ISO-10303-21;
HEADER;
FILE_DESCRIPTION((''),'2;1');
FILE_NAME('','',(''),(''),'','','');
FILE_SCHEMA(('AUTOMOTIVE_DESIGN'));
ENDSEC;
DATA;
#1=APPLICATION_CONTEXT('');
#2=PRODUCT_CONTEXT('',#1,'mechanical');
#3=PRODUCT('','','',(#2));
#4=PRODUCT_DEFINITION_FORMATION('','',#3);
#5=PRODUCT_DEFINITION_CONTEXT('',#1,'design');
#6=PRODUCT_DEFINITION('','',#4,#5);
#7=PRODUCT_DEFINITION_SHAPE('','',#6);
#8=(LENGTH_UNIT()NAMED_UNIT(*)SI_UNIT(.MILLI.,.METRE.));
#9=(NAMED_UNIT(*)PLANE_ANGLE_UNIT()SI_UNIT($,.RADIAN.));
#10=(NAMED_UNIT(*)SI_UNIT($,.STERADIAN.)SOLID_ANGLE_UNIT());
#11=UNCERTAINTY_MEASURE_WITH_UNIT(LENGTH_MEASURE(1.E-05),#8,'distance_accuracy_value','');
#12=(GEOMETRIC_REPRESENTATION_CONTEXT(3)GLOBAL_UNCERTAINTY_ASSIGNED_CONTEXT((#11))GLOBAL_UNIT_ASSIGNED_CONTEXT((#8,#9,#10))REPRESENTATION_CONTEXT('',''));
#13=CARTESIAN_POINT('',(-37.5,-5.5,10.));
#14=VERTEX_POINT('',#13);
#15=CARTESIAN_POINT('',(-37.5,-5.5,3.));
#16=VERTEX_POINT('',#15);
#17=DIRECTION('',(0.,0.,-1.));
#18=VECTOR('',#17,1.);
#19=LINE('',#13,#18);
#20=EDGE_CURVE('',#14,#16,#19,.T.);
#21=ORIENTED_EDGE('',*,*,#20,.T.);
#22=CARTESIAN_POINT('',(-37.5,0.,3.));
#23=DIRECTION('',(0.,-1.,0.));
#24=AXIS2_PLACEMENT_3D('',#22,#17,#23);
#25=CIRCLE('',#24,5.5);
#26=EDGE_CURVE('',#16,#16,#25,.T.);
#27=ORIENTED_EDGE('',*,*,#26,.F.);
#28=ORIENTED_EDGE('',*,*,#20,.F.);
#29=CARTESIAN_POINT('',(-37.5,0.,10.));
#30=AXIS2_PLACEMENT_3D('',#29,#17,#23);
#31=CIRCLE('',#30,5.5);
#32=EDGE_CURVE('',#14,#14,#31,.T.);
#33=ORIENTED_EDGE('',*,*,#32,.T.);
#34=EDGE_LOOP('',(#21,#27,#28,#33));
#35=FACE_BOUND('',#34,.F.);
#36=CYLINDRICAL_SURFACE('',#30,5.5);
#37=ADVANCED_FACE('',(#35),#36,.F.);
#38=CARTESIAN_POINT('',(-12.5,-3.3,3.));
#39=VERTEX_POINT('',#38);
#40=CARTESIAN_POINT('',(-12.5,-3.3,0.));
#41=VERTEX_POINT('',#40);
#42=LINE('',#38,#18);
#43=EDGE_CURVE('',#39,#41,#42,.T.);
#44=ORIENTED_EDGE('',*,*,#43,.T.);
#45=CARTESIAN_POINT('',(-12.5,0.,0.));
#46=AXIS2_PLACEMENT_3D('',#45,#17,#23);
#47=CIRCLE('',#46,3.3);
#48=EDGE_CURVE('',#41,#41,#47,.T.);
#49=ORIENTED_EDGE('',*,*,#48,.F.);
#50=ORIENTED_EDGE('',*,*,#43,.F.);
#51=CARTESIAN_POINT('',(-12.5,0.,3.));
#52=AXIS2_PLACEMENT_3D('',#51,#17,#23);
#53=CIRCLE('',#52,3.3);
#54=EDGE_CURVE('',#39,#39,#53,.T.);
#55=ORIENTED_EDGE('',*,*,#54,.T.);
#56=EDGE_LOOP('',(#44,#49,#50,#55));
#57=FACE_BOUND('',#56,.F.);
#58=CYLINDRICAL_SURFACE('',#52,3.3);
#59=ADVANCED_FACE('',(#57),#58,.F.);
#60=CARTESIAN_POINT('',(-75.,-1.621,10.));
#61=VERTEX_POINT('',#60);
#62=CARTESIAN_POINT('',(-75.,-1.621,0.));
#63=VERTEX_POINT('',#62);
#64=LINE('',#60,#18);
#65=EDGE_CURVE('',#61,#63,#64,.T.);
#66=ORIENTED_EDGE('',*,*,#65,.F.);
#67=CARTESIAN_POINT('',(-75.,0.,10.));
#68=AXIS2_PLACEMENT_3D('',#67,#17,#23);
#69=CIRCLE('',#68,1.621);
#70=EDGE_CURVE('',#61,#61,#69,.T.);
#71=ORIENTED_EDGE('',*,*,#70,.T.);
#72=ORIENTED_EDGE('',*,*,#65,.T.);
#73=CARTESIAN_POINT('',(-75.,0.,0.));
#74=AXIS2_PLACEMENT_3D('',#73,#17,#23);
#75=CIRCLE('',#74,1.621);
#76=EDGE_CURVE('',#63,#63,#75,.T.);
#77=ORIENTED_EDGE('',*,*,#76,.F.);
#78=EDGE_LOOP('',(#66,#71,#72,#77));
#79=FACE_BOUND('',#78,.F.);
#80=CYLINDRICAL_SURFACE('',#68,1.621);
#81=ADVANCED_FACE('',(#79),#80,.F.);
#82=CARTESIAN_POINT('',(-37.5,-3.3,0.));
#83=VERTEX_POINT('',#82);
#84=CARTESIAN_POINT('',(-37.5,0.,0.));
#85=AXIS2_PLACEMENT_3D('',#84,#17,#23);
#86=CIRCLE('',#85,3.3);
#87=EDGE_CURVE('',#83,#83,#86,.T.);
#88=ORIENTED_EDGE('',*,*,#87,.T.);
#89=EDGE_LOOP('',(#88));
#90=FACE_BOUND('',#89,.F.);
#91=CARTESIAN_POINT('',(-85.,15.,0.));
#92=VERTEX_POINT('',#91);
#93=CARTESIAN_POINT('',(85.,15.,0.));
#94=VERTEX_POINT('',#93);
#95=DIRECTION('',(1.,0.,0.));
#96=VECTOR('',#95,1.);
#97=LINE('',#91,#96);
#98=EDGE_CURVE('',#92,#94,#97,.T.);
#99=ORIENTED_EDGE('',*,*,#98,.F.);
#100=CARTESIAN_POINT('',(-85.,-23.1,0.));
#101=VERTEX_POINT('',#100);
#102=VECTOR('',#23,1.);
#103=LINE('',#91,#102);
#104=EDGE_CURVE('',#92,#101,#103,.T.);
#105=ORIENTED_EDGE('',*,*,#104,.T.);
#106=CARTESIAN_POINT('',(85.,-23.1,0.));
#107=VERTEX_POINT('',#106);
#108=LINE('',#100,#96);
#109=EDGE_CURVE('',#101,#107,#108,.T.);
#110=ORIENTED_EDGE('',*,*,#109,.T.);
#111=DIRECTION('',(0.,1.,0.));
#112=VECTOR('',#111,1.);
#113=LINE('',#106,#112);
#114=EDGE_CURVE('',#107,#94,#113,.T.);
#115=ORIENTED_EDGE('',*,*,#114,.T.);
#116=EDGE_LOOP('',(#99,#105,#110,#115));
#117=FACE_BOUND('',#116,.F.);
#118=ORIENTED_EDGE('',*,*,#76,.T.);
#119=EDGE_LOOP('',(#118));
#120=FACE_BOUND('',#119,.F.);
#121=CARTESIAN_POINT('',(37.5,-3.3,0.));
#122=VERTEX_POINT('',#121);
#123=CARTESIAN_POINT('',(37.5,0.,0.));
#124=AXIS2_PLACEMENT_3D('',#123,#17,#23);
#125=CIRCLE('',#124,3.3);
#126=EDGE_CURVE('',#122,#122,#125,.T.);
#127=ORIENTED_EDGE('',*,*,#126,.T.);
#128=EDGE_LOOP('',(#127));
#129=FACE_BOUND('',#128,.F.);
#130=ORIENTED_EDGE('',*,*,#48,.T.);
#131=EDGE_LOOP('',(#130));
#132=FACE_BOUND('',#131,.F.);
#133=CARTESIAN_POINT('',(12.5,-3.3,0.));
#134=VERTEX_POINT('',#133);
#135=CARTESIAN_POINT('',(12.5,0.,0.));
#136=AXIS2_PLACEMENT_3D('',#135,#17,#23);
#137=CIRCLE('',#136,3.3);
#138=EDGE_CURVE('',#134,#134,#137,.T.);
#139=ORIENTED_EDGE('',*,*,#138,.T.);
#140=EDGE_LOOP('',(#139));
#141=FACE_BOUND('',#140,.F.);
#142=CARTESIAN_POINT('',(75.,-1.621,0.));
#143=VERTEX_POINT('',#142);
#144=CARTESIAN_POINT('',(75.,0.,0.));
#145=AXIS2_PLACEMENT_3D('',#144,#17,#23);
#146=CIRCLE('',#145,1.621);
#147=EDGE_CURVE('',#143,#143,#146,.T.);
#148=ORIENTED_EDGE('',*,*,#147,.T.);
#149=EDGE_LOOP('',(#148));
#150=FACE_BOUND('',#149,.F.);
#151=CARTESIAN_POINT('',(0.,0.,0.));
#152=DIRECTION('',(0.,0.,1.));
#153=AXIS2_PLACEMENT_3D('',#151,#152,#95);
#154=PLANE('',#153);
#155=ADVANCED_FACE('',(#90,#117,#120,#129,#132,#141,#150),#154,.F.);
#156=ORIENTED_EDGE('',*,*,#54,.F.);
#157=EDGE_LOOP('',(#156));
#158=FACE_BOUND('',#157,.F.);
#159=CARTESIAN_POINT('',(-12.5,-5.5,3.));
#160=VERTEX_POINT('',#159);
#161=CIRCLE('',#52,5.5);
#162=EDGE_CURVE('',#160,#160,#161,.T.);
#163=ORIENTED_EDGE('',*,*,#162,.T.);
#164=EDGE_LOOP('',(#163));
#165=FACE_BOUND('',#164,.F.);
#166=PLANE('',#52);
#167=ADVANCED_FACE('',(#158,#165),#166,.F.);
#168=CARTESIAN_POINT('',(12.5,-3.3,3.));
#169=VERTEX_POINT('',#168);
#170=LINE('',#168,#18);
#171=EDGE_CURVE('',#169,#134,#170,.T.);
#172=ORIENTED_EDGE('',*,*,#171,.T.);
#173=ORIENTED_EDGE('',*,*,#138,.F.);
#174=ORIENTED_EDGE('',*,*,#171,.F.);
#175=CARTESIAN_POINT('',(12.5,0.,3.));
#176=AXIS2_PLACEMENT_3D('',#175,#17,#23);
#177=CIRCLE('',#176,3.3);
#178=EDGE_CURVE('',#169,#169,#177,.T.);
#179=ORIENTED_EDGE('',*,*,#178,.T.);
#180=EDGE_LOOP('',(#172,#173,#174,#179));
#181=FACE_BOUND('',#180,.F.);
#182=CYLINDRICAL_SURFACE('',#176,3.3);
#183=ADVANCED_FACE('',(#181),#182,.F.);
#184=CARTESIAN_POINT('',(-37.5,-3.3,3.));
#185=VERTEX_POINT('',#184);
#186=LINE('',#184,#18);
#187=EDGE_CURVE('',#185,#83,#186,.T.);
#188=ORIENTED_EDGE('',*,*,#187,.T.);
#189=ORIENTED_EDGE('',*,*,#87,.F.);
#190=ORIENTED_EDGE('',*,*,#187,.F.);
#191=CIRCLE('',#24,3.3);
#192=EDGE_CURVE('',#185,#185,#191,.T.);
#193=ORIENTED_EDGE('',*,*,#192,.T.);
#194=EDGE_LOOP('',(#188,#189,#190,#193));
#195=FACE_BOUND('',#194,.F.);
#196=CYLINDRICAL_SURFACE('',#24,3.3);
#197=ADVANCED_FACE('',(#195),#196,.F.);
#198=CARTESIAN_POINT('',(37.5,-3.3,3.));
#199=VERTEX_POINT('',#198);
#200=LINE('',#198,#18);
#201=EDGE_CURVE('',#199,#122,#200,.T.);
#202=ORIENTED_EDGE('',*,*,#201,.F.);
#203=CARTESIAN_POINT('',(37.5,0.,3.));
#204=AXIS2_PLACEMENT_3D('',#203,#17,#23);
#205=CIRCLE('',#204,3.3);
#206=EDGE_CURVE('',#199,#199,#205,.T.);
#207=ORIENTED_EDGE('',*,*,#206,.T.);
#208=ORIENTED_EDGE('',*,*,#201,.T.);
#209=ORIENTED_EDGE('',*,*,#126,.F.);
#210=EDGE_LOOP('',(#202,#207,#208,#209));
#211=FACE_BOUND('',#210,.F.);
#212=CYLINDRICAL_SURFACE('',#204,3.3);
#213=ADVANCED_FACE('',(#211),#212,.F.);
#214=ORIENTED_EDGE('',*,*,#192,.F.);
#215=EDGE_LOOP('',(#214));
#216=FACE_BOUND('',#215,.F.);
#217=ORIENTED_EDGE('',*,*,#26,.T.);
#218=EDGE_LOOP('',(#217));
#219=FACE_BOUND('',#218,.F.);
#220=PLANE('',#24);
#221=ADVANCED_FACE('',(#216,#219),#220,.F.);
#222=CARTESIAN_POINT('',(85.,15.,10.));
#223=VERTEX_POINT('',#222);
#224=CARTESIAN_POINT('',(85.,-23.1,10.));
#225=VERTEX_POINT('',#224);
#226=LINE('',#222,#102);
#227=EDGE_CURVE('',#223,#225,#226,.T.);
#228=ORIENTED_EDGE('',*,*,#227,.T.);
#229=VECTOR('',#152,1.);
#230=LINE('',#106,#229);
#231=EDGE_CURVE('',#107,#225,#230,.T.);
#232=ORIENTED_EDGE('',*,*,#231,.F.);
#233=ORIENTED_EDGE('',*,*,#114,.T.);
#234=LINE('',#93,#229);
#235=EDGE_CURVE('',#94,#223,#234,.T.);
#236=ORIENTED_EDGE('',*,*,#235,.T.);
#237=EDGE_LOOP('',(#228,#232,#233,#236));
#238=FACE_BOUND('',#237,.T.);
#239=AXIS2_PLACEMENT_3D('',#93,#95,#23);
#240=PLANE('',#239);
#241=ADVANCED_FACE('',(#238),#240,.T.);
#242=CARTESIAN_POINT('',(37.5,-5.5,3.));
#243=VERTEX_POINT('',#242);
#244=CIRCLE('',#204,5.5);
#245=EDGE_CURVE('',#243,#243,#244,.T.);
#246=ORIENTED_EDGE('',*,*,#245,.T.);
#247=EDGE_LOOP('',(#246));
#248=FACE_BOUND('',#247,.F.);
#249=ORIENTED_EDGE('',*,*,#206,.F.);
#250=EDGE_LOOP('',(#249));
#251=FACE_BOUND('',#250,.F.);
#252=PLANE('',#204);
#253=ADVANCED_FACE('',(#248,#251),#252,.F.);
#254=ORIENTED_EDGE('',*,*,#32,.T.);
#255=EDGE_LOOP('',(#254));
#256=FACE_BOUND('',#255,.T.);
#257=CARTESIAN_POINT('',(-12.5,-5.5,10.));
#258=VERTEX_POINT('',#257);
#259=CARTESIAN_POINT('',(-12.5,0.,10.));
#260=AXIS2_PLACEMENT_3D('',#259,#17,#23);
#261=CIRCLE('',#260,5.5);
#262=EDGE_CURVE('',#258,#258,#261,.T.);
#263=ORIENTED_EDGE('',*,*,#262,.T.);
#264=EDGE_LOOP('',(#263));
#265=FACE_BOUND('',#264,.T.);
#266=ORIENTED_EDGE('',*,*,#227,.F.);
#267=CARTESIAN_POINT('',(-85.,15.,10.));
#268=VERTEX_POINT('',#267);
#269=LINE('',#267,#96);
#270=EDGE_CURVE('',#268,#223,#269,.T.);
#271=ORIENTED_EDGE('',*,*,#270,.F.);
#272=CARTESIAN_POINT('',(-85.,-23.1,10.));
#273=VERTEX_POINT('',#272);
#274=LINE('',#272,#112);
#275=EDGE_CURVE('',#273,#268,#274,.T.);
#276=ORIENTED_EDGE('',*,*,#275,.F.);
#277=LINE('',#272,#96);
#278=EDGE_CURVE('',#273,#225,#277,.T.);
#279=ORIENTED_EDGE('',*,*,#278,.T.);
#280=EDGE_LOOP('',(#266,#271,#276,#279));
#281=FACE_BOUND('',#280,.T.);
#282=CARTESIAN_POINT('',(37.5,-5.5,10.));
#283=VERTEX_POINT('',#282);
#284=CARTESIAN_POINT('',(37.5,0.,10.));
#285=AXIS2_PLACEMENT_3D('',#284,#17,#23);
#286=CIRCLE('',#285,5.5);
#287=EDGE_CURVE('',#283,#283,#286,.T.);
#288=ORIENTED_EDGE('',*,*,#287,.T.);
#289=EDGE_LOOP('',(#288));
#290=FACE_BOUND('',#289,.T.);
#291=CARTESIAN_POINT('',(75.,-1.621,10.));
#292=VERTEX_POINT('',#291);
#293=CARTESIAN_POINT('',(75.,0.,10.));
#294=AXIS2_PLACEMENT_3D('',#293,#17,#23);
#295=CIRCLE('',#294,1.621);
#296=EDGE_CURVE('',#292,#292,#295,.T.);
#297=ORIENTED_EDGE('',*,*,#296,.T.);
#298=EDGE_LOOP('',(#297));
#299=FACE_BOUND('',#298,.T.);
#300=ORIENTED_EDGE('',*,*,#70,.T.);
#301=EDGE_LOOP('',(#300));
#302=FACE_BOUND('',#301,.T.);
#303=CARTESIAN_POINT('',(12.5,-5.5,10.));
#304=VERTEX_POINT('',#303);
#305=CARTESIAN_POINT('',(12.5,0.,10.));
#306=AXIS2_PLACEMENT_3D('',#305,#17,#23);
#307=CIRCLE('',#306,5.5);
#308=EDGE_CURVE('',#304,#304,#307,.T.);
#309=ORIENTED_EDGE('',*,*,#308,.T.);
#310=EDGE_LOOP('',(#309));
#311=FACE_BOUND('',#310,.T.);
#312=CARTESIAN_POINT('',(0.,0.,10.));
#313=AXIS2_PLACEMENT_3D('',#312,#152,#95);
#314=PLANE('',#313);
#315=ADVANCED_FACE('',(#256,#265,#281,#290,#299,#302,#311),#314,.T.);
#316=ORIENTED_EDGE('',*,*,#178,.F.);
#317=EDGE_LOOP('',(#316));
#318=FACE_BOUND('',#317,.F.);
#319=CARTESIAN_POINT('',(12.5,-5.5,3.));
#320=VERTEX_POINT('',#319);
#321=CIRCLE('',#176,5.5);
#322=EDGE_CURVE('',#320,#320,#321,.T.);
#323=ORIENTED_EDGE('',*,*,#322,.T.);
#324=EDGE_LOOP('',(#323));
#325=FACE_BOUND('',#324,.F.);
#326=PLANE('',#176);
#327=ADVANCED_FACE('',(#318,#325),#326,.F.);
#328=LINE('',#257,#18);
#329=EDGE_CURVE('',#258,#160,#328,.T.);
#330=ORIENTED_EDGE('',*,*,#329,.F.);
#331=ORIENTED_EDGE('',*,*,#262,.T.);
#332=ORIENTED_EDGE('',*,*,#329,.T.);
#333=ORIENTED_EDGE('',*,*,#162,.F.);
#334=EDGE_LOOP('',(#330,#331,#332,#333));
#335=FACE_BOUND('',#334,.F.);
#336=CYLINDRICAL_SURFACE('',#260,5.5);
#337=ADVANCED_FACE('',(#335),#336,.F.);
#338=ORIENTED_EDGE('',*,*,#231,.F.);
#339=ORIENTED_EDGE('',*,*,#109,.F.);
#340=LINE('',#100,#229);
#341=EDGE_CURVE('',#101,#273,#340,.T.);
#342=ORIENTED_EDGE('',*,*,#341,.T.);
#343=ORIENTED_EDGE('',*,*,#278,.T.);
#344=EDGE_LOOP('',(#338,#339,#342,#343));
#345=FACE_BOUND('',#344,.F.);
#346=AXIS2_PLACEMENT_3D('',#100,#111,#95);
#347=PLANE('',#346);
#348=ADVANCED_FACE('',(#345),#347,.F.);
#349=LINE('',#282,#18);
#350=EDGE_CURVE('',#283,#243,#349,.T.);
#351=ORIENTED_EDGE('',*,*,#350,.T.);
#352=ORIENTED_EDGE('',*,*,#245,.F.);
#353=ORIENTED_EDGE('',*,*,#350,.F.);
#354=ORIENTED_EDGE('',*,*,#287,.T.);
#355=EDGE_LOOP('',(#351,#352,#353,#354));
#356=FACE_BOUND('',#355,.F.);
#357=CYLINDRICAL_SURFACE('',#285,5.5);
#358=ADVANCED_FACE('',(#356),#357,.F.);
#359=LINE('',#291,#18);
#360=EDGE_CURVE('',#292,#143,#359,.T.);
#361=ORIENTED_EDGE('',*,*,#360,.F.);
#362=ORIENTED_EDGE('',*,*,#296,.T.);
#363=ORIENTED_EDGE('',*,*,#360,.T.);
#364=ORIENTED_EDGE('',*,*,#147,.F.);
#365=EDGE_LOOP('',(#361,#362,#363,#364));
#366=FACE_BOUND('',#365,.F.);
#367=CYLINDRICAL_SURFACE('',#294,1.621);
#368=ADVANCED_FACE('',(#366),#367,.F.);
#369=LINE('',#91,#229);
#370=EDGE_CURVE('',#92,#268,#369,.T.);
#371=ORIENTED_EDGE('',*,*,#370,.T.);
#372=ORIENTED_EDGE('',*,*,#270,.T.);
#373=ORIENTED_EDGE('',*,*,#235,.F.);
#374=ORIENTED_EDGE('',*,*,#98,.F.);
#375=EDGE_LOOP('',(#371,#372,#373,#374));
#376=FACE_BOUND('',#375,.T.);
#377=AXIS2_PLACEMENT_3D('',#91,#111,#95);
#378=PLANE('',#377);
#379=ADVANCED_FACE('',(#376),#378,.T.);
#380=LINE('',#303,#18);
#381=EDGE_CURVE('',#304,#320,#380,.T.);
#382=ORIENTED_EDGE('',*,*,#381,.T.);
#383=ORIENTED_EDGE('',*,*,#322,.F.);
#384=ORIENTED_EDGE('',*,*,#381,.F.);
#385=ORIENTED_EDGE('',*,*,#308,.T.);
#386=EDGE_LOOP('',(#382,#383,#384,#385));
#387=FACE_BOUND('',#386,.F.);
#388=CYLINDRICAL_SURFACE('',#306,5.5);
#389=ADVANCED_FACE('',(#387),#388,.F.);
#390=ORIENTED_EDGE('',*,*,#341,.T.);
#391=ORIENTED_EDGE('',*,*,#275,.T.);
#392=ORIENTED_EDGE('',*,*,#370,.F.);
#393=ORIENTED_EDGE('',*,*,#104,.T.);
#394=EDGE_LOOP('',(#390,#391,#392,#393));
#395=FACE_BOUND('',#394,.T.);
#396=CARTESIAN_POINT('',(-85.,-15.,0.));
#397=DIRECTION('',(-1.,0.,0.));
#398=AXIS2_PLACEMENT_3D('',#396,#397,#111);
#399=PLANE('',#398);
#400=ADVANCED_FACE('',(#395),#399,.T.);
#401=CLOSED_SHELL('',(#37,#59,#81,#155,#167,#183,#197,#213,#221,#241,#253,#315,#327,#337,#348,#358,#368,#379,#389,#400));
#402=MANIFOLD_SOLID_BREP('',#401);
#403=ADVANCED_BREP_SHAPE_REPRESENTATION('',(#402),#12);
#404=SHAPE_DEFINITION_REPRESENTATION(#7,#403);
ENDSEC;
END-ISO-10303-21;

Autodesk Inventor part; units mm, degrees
ref_plane "YZ Plane" through (0, 0, 0) normal (1, 0, 0) x (0, 1, 0)
ref_plane "XZ Plane" through (0, 0, 0) normal (0, 1, 0) x (-1, 0, 0)
ref_plane "XY Plane" through (0, 0, 0) normal (0, 0, 1) x (1, 0, 0)
sketch "Sketch1" plane through (0, 0, 0) normal (0, 0, 1) x (1, 0, 0)
  line L0 (-85, 15) -> (85, 15)
  line L1 (85, 15) -> (85, -15)
  line L2 (85, -15) -> (-85, -15)
  line L3 (-85, -15) -> (-85, 15)
  line L4 (85, -15) -> (-85, -15)
  line L5 (-85, -15) -> (-85, -23.1)
  line L6 (-85, -23.1) -> (85, -23.1)
  line L7 (85, -23.1) -> (85, -15)
  point P0 (0, 0)
  dimension "d0" = 30
  dimension "d1" = 170
  dimension "d2" = 85
  dimension "d3" = 15
  dimension "d34" = 8.1
  dimension "d35" = 170
extrude "Extrusion1" add sketch "Sketch1" along normal blind 10
sketch "Sketch2" plane through (0, 0, 10) normal (0, 0, 1) x (1, 0, 0)
  point P0 (0, 0)
  point P1 (-37.5, 0)
  point P2 (-12.5, 0)
  point P3 (12.5, 0)
  point P4 (37.5, 0)
  dimension "d30" = 25
  dimension "d31" = 25
  dimension "d32" = 25
  dimension "d33" = 12.5
hole "Hole1" at (-37.5, 0, 10) at (-12.5, 0, 10) at (12.5, 0, 10) at (37.5, 0, 10) direction (0, 0, -1) diameter 6.6 end through all counterbore diameter 11 counterbore depth 7 clearance for "Hex Head Cap Screw ISO 24017" size "M6" standard "ISO"
sketch "Sketch3" plane through (0, 0, 10) normal (0, 0, 1) x (1, 0, 0)
  point P0 (0, 0)
  point P1 (75, 0)
  point P2 (-75, 0)
  dimension "d16" = 150
  dimension "d17" = 75
hole "Hole2" at (75, 0, 10) at (-75, 0, 10) direction (0, 0, -1) diameter 3.242 end through all thread size "M4x0.7" class "6H" standard "ISO Metric profile"
equation "\"d2\" = 0.5 * d1"
equation "\"d3\" = 0.5 * d0"
equation "\"d35\" = d1"
equation "\"d33\" = 0.5 * d31"
equation "\"d17\" = 0.5 * d16"
properties part number "zStackJackAttach_piece2"
